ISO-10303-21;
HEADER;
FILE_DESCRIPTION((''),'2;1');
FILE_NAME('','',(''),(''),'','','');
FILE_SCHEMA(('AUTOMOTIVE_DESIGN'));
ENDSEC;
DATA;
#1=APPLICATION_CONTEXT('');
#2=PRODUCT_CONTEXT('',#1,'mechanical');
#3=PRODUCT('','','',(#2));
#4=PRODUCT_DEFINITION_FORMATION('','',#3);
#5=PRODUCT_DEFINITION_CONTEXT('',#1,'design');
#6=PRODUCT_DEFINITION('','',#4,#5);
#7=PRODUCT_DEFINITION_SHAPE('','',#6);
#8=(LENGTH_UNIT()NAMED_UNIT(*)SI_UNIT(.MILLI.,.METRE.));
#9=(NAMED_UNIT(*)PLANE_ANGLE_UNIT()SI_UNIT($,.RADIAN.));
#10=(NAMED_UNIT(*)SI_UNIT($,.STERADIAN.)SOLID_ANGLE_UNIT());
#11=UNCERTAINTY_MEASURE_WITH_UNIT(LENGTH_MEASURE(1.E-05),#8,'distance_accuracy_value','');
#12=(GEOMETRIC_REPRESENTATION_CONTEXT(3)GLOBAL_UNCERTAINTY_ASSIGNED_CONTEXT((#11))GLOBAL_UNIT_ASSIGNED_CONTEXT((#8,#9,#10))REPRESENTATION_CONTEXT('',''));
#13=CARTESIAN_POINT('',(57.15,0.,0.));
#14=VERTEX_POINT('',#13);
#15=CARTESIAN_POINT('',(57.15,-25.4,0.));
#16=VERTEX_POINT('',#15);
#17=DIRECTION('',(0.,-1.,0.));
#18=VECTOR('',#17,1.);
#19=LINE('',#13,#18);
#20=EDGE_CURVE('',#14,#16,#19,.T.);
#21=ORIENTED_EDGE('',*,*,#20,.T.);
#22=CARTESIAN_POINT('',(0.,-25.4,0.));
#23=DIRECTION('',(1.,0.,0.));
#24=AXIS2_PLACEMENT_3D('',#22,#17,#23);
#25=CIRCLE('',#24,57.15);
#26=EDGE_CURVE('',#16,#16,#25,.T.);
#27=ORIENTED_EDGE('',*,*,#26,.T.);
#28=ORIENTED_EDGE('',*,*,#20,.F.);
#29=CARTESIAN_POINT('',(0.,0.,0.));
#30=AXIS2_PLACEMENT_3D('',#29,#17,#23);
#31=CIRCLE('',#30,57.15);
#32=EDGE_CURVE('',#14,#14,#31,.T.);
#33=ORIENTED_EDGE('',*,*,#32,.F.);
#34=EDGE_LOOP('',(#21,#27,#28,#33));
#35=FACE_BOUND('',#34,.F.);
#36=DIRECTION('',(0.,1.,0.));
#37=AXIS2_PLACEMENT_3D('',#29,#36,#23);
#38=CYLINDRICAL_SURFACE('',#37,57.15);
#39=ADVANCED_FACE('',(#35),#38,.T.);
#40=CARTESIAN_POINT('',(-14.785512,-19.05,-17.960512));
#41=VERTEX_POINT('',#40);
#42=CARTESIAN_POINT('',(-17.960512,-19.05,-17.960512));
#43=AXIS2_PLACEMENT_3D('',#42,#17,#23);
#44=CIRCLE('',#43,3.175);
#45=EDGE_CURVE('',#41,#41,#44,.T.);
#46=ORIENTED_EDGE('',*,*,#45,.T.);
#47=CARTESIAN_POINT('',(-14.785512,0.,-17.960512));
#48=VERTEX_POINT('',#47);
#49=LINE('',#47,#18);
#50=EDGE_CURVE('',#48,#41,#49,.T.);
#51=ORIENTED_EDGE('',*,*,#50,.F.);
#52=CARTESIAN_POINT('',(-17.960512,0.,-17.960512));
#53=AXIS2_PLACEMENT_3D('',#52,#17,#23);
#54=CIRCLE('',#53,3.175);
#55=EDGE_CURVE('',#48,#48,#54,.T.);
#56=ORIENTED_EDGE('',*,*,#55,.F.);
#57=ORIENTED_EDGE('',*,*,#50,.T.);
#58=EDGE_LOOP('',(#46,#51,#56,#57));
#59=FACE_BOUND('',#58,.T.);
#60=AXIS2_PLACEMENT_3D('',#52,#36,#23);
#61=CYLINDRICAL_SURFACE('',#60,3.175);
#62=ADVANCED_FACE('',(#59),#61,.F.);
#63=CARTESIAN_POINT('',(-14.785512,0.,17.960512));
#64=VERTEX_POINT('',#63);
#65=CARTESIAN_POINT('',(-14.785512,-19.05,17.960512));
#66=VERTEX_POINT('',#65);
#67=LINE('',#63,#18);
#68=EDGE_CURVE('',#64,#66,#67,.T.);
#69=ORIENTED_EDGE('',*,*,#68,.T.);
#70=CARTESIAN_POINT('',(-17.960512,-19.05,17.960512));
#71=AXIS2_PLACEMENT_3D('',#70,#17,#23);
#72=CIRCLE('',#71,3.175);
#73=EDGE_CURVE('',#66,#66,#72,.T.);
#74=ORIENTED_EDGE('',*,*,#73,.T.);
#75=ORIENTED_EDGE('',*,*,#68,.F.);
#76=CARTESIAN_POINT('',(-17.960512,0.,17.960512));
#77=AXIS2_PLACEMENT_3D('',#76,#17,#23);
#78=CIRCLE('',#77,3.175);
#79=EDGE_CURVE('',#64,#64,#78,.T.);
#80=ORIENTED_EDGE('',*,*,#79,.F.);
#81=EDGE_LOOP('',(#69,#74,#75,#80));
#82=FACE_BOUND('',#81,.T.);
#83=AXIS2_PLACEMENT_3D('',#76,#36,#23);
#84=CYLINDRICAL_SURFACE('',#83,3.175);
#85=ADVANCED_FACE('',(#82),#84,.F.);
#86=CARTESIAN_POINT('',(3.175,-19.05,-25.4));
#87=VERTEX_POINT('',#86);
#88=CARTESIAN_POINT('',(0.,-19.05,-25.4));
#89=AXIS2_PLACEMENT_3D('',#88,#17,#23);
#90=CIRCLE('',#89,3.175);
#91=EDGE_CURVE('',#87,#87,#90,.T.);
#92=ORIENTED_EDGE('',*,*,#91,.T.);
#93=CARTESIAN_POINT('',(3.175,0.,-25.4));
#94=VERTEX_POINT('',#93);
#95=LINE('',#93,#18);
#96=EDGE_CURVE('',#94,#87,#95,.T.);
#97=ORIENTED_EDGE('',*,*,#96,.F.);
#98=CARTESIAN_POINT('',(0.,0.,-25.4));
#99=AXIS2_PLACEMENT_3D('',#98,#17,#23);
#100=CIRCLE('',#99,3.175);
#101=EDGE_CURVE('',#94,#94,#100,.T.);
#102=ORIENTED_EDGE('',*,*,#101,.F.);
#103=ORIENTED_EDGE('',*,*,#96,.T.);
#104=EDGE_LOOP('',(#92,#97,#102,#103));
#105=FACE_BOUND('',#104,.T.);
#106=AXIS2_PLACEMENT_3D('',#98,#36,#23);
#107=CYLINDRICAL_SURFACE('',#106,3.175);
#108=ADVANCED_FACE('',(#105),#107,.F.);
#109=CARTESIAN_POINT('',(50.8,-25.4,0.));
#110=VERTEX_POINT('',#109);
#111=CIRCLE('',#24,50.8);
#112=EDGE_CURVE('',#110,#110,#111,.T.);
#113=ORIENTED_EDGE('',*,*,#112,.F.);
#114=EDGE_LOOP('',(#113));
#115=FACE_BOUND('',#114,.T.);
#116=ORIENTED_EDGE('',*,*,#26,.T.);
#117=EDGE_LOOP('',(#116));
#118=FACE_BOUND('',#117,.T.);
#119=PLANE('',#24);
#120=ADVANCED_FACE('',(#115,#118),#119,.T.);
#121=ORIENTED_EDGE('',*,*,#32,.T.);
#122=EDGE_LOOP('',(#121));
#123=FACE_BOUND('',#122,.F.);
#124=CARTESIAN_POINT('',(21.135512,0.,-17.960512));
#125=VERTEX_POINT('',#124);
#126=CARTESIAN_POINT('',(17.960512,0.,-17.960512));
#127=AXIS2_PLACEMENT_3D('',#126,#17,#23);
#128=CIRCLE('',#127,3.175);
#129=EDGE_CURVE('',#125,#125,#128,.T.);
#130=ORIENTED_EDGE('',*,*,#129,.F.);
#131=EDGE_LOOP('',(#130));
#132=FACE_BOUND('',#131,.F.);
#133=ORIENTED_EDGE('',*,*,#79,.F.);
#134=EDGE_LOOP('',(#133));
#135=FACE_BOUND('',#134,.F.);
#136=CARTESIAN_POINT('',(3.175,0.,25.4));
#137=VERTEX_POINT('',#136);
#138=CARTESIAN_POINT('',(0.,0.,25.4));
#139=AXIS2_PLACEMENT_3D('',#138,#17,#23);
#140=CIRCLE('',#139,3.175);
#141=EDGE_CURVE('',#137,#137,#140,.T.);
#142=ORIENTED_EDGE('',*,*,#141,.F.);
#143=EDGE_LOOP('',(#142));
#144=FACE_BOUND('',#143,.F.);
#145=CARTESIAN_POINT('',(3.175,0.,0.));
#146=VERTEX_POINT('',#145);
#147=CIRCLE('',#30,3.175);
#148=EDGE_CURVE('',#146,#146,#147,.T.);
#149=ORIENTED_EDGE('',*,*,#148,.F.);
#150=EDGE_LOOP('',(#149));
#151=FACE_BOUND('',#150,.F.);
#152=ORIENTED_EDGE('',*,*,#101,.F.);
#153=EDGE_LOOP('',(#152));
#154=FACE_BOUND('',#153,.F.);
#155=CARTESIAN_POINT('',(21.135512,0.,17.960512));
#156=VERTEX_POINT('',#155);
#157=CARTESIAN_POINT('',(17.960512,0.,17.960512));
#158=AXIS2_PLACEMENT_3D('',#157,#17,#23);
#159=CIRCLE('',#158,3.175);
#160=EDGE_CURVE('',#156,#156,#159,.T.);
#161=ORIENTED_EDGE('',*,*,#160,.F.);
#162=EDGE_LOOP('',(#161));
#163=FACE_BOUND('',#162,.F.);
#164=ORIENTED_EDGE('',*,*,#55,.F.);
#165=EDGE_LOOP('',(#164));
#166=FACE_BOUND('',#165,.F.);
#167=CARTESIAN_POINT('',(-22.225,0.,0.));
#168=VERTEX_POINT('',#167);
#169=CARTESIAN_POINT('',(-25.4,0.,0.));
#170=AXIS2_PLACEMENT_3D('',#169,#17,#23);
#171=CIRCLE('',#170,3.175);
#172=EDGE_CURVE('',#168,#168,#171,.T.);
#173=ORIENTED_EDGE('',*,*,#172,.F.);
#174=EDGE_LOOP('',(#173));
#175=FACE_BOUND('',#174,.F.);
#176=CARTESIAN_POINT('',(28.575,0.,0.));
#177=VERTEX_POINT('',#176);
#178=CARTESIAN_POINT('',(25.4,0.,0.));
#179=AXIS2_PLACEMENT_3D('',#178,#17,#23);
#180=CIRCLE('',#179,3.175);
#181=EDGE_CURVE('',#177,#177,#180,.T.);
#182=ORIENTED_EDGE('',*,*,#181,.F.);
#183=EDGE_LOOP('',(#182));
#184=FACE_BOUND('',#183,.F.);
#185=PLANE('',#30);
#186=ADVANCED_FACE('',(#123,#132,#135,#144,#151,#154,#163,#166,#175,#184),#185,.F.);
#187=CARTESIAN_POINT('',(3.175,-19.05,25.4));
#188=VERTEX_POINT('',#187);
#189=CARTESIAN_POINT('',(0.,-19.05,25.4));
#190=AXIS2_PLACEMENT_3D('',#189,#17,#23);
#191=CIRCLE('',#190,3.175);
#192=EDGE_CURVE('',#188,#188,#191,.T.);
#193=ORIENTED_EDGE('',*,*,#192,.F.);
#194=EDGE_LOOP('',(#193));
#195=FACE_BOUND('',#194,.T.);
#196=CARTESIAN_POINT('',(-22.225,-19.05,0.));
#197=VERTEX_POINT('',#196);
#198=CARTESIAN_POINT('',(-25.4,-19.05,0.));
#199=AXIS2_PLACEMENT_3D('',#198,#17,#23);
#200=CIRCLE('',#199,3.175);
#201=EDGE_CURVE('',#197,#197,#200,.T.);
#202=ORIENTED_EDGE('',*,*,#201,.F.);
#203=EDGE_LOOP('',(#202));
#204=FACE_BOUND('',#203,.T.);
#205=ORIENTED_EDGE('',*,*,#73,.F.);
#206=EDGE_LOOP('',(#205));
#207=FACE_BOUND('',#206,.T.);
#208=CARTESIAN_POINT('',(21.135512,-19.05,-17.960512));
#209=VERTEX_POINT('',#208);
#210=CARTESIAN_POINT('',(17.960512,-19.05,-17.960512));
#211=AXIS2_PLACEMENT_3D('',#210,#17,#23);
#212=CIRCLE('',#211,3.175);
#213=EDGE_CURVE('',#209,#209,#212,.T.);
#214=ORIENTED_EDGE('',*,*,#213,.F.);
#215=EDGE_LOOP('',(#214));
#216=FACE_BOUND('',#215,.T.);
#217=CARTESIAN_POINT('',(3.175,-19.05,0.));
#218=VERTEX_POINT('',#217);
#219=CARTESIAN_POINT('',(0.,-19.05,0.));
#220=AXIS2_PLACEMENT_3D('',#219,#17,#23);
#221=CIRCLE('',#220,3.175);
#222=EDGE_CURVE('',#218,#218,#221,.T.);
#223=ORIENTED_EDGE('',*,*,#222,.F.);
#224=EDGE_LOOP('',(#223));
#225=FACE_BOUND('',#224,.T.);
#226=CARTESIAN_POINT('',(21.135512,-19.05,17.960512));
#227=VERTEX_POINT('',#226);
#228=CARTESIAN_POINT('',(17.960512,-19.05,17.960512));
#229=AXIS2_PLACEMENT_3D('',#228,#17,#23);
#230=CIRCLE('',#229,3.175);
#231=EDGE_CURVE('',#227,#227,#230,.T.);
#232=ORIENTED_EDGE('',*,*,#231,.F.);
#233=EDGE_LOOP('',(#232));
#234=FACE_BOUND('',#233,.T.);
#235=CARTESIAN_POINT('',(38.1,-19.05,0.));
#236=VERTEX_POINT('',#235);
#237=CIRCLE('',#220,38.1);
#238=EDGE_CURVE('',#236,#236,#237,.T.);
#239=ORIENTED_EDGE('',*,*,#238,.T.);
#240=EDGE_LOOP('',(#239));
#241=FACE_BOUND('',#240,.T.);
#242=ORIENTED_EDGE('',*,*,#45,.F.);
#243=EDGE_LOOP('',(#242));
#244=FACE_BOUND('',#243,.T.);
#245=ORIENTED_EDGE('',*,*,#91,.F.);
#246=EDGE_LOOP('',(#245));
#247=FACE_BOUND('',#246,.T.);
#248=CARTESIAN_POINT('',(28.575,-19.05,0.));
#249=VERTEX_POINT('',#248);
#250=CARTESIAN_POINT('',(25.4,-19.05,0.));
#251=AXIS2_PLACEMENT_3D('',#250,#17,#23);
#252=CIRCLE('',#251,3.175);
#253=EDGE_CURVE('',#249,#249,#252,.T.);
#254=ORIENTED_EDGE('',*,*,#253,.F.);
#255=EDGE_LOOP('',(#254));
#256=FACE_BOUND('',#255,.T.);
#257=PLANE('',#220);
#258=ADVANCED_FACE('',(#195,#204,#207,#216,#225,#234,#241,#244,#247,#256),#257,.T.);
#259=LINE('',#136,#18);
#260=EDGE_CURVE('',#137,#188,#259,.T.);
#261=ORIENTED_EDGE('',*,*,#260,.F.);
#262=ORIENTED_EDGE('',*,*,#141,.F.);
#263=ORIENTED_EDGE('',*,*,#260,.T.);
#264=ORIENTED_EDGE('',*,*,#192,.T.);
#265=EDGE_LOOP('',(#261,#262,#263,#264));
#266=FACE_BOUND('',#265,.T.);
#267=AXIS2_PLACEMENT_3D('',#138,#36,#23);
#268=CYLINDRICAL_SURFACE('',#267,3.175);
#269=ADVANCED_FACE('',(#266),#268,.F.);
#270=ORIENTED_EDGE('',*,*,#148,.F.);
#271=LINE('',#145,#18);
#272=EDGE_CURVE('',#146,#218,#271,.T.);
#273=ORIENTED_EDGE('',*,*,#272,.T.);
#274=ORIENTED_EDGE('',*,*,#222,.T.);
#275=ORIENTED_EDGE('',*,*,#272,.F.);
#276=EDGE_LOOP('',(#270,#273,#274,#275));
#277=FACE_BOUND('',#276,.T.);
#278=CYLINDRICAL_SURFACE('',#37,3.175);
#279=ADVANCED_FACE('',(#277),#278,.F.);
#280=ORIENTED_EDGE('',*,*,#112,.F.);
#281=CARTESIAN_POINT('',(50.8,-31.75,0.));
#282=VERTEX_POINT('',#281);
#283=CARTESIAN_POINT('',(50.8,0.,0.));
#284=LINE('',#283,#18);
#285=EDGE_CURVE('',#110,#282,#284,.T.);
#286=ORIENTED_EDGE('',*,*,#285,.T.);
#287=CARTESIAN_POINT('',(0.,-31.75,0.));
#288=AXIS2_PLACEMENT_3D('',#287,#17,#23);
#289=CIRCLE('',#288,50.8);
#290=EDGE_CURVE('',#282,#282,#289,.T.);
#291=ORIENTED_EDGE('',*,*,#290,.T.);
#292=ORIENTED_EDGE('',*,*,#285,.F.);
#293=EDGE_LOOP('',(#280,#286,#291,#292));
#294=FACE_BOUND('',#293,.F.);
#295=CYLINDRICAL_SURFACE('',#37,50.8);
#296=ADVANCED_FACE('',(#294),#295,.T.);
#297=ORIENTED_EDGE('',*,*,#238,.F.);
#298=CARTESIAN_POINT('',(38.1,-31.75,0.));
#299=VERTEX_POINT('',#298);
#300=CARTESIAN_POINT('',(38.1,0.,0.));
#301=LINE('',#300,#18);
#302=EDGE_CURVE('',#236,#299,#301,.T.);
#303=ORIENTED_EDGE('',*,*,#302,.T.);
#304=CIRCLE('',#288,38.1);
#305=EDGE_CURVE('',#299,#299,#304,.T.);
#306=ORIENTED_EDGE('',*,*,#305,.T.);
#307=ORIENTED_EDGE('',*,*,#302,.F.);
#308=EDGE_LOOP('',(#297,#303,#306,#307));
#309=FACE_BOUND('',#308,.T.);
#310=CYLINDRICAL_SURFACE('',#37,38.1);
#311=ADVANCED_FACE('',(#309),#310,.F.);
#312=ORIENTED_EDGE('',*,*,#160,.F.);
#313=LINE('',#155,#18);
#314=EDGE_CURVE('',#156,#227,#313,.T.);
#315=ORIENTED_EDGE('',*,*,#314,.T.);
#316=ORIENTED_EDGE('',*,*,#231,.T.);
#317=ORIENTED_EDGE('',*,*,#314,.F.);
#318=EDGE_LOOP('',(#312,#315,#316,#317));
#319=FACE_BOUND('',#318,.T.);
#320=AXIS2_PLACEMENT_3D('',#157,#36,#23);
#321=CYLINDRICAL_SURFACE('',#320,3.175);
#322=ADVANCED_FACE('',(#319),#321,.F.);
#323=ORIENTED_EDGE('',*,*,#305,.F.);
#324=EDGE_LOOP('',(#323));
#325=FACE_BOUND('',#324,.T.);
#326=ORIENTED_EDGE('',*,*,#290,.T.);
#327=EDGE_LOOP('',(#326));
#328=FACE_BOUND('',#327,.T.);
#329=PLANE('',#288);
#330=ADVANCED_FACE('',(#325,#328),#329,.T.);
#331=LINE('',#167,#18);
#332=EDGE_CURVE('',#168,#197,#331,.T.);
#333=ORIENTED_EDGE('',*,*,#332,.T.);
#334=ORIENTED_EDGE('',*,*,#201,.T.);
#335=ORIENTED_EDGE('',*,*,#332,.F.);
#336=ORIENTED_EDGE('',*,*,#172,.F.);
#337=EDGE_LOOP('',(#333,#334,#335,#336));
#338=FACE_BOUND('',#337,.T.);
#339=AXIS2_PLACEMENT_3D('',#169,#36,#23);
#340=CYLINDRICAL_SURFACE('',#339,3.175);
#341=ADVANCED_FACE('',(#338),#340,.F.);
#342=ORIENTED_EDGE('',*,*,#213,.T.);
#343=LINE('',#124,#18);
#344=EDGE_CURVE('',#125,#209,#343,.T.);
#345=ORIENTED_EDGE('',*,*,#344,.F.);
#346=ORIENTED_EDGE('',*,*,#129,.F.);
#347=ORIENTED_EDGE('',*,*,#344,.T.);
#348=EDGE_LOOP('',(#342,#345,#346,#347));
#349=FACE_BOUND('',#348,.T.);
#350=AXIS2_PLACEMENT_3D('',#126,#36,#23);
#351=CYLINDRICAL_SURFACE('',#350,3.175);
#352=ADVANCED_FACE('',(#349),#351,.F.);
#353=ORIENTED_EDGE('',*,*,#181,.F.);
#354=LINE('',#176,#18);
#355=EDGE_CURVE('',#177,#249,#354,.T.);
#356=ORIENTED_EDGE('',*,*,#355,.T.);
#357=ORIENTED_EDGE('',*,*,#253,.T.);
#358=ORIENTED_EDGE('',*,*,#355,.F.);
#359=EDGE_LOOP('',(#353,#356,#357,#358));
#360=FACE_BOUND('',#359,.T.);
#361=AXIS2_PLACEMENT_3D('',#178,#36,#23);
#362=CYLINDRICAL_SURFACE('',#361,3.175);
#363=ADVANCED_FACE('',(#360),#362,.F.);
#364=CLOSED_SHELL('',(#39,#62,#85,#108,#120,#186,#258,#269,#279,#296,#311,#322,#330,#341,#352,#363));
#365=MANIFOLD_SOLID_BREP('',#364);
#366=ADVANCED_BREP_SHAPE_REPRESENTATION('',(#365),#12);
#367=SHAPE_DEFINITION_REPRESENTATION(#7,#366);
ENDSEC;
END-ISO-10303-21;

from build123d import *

# Parameters (mm, degrees)
F0_R     = 57.15
F0_R_2   = 50.8
F1_DEPTH = 25.4
F0_R_3   = 38.1
F2_DEPTH = 31.75
F0_R_4   = 3.175
F3_DEPTH = 19.05


with BuildPart() as f1:
    # F0 (on Front) → F1 (new body)
    with BuildSketch(Plane.XZ):
        Circle(F0_R)
        Circle(F0_R_2, mode=Mode.SUBTRACT)
    extrude(amount=F1_DEPTH)

    # F0 (on Front) → F2 (join)
    with BuildSketch(Plane.XZ):
        Circle(F0_R_2)
        Circle(F0_R_3, mode=Mode.SUBTRACT)
    extrude(amount=F2_DEPTH)

    # F0 (on Front) → F3 (join)
    with BuildSketch(Plane.XZ):
        Circle(F0_R_3)
        with Locations((-17.960512, -17.960512)):
            Circle(F0_R_4, mode=Mode.SUBTRACT)
        with Locations((0, -25.4)):
            Circle(F0_R_4, mode=Mode.SUBTRACT)
        with Locations((17.960512, -17.960512)):
            Circle(F0_R_4, mode=Mode.SUBTRACT)
        with Locations((-25.4, 0)):
            Circle(F0_R_4, mode=Mode.SUBTRACT)
        with Locations((-17.960512, 17.960512)):
            Circle(F0_R_4, mode=Mode.SUBTRACT)
        Circle(F0_R_4, mode=Mode.SUBTRACT)
        with Locations((25.4, 0)):
            Circle(F0_R_4, mode=Mode.SUBTRACT)
        with Locations((0, 25.4)):
            Circle(F0_R_4, mode=Mode.SUBTRACT)
        with Locations((17.960512, 17.960512)):
            Circle(F0_R_4, mode=Mode.SUBTRACT)
    extrude(amount=F3_DEPTH)


solid = f1.part
